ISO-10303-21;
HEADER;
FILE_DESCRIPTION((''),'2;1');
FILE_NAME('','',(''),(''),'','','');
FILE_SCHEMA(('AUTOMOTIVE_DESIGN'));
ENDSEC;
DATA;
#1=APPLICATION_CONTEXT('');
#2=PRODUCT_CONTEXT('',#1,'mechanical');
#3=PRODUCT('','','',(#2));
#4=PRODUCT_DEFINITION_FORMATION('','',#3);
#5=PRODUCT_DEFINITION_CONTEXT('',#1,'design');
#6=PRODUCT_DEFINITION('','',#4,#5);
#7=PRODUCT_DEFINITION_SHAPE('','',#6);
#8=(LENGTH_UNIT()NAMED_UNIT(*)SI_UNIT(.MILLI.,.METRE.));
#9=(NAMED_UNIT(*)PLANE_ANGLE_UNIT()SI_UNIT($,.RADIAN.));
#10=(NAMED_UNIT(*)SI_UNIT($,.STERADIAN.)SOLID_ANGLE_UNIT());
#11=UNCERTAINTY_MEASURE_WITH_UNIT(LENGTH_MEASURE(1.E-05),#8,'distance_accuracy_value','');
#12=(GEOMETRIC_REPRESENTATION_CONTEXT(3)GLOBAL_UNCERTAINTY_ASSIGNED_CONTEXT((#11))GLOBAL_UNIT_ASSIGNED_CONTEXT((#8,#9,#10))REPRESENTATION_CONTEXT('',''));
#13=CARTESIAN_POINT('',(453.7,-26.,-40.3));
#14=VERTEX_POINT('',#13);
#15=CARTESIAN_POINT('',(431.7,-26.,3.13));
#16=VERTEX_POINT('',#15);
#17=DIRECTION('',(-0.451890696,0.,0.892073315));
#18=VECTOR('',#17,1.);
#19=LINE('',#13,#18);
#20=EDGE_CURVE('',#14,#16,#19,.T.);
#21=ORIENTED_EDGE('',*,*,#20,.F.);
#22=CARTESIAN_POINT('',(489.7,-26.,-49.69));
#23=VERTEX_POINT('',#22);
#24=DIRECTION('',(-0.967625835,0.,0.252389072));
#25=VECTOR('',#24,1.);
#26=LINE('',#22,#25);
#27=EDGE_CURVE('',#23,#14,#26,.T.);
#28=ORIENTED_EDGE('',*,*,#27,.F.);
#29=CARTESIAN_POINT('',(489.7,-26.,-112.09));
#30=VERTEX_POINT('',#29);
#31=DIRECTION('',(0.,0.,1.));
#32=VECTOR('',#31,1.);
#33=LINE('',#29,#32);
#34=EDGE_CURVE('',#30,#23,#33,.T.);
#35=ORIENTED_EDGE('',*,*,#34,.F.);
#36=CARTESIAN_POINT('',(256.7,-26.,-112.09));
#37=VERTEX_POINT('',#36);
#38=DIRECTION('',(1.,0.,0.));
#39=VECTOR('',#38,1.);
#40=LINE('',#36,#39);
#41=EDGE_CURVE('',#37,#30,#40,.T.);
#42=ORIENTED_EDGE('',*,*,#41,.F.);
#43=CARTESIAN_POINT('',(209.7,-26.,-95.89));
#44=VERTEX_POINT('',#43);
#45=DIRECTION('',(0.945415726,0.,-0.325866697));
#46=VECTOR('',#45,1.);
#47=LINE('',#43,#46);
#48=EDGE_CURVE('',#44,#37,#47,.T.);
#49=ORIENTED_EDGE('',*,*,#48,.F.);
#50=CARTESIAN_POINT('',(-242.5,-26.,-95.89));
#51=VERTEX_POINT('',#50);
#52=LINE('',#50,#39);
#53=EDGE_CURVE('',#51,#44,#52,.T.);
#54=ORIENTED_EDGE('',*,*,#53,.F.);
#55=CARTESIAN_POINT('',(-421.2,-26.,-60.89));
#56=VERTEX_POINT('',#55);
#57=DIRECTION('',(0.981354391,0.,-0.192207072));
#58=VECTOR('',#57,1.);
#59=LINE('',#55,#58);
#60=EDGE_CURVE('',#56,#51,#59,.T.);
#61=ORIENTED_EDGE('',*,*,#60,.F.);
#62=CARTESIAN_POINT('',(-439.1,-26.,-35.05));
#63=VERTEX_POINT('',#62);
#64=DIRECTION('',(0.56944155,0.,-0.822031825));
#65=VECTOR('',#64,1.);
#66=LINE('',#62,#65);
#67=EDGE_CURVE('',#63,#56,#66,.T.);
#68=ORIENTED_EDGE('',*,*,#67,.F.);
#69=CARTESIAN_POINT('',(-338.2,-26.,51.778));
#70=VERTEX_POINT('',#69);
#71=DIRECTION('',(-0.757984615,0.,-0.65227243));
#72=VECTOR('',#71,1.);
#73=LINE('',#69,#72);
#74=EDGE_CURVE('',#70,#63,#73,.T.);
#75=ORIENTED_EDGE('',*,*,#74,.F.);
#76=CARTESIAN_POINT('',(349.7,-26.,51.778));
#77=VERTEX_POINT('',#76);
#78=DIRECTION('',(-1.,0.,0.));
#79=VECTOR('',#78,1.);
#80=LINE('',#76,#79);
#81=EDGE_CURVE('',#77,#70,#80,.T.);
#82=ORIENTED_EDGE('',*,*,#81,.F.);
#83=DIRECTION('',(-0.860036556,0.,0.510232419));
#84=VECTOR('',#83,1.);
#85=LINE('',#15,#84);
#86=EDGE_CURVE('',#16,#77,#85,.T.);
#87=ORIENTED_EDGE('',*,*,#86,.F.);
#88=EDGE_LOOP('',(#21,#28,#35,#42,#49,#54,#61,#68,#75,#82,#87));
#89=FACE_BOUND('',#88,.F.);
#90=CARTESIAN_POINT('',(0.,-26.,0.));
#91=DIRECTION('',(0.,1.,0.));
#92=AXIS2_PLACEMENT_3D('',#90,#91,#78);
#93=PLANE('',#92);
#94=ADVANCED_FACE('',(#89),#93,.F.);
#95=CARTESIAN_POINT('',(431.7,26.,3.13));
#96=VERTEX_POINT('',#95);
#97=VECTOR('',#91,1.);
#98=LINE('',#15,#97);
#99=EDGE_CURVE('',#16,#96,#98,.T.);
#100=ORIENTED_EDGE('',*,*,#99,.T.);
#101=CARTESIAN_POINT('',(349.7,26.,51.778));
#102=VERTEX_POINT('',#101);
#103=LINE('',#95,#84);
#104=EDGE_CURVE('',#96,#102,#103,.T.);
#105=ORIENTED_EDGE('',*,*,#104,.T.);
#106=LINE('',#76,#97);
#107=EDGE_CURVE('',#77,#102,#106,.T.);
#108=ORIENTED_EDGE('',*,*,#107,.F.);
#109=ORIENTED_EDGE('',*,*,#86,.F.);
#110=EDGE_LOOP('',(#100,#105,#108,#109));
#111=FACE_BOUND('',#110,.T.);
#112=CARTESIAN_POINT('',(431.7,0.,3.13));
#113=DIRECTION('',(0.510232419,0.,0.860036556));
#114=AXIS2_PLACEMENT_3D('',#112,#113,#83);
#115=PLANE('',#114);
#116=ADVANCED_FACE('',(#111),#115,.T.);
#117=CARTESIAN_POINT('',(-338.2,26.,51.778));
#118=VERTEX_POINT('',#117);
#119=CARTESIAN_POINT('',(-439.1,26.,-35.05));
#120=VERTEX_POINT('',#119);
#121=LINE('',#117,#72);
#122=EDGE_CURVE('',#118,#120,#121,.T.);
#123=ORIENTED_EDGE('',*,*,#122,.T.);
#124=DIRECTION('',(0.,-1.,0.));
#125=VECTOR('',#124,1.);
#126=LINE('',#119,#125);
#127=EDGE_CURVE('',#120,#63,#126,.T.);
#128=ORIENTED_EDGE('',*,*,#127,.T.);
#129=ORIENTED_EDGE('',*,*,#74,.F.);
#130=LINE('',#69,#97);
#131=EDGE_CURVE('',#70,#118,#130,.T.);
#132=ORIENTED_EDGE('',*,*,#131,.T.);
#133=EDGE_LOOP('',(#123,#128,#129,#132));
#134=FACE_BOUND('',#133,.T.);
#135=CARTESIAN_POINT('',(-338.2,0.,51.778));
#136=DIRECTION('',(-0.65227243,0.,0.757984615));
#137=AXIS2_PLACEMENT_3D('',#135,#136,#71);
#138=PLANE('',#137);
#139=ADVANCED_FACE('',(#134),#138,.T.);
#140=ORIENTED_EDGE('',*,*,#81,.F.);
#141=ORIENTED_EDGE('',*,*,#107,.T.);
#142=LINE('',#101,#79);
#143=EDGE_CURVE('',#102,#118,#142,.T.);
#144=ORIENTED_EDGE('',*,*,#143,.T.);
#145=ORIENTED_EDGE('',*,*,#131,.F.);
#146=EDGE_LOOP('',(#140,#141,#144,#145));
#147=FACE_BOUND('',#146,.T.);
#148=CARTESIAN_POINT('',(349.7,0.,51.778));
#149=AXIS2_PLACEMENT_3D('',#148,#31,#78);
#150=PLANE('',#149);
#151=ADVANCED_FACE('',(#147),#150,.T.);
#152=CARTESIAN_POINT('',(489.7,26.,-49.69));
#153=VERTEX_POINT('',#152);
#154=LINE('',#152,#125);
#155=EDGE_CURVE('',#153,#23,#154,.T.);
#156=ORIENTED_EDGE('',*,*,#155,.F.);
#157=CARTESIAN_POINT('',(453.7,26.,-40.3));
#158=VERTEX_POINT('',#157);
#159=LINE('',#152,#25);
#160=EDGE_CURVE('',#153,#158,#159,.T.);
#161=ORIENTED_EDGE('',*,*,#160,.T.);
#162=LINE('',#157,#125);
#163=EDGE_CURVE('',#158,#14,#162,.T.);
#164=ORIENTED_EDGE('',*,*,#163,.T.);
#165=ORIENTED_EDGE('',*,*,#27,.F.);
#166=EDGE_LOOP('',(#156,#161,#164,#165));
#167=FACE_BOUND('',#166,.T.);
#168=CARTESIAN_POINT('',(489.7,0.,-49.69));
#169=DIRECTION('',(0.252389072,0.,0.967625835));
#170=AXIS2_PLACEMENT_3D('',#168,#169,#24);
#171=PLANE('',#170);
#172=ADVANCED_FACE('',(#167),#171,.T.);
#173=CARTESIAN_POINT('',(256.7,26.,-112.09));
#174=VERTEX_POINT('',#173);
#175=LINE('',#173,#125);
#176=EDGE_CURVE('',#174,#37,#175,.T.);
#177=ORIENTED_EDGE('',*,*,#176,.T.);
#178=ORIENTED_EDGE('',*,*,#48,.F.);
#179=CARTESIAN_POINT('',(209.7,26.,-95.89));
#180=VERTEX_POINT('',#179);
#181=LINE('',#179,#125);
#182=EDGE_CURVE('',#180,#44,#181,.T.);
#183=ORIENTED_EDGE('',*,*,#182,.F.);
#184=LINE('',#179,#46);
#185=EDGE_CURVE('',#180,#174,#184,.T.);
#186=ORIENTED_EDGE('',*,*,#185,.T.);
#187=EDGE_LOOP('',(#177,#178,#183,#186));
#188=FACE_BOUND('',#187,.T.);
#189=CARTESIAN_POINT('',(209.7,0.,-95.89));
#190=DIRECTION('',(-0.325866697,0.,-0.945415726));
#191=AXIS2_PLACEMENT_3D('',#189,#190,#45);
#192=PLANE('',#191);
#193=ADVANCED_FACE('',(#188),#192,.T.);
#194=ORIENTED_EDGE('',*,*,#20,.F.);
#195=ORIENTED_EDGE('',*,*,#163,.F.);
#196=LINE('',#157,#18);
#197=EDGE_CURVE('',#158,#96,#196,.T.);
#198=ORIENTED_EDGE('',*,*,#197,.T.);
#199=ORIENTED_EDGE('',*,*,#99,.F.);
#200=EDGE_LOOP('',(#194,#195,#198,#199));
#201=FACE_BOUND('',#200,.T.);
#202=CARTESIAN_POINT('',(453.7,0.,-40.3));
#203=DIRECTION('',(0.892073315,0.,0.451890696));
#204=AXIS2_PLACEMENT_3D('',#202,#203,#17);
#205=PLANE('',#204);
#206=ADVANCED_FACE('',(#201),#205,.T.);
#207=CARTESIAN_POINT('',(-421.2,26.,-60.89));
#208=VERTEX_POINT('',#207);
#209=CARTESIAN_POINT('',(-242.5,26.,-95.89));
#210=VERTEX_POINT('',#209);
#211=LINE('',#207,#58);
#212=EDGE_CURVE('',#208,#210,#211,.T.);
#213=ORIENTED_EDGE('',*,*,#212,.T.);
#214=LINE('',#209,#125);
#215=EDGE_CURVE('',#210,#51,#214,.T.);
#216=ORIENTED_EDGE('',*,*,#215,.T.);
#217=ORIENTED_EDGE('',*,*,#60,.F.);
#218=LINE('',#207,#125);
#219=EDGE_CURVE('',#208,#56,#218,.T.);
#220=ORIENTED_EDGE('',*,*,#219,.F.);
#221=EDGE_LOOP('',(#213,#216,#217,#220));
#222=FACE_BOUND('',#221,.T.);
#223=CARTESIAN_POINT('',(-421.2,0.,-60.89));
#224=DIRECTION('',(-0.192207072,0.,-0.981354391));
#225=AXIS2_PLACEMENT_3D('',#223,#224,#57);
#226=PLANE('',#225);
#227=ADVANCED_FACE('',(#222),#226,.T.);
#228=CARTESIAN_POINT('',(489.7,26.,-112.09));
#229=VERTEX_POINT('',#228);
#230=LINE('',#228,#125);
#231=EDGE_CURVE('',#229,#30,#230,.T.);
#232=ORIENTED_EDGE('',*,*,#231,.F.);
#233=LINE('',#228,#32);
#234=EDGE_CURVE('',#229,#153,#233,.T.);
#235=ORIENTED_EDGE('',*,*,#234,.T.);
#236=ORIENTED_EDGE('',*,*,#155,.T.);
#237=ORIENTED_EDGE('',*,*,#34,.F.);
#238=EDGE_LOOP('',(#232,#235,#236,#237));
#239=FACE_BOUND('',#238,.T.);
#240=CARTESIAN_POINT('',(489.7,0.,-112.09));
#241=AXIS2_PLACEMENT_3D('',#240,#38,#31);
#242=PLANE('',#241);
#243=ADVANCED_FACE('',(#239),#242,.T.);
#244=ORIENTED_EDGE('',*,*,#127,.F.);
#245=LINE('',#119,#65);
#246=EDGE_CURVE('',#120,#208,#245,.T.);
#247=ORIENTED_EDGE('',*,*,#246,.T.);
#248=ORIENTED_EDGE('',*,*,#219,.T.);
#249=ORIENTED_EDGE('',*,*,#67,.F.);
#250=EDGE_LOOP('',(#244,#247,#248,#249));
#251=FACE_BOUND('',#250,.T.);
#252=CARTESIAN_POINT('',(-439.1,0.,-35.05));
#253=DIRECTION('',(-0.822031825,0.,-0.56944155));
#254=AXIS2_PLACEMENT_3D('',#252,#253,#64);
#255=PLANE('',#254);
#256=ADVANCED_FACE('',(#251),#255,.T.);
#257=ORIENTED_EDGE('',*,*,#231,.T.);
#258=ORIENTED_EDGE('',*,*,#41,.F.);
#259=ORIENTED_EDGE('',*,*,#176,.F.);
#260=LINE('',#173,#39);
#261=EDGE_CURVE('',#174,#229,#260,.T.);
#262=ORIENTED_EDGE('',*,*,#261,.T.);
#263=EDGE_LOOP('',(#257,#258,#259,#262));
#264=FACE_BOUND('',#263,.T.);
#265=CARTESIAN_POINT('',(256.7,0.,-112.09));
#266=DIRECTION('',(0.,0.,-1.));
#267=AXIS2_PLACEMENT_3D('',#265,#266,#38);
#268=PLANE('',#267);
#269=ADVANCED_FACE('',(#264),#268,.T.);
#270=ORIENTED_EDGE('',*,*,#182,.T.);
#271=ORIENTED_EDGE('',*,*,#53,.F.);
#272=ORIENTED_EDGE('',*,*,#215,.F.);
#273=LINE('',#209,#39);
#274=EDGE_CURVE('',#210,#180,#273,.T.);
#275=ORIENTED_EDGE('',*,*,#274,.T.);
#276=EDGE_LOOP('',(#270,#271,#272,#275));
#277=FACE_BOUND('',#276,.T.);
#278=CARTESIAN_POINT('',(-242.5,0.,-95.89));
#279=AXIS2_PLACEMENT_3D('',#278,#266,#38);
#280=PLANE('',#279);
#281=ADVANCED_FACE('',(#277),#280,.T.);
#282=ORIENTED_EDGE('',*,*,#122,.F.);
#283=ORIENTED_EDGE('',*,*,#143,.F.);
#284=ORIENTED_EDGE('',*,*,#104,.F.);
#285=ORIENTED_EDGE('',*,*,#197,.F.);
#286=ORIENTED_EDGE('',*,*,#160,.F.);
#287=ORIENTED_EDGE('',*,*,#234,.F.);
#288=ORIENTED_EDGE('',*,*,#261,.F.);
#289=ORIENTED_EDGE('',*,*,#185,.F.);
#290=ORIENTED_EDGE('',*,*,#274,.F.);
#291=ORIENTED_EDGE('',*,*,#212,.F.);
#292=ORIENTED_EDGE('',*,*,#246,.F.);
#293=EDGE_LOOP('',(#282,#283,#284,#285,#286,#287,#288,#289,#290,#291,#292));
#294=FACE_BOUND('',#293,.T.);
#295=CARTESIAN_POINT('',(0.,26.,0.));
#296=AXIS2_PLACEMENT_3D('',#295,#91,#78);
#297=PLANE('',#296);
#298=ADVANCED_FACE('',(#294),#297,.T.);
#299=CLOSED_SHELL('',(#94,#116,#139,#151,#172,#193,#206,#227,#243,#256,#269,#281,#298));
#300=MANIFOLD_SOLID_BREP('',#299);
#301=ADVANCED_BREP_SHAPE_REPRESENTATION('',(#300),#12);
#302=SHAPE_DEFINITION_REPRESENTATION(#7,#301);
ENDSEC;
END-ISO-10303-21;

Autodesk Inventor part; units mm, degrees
ref_plane "YZ Plane" through (0, 0, 0) normal (1, 0, 0) x (0, 1, 0)
ref_plane "XY Plane" through (0, 0, 0) normal (0, 0, 1) x (1, 0, 0)
sketch "Sketch1" plane through (0, 0, 0) normal (0, 1, 0) x (-1, 0, 0)
  line L0 (0, -144.8636) -> (0, 84.5516) construction
  line L1 (624.86, 0) -> (-675.46, 0) construction
  line L2 (338.2, 51.778) -> (439.1, -35.05)
  line L3 (439.1, -35.05) -> (421.2, -60.89)
  line L4 (421.2, -60.89) -> (242.5, -95.89)
  line L5 (242.5, -95.89) -> (-209.7, -95.89)
  line L6 (-209.7, -95.89) -> (-256.7, -112.09)
  line L7 (-256.7, -112.09) -> (-489.7, -112.09)
  line L8 (-489.7, -112.09) -> (-489.7, -49.69)
  line L9 (-489.7, -49.69) -> (-453.7, -40.3)
  line L10 (-453.7, -40.3) -> (-431.7, 3.13)
  line L11 (-431.7, 3.13) -> (-349.7, 51.778)
  line L12 (-349.7, 51.778) -> (338.2, 51.778)
  point P0 (0, 0)
  dimension "d0" = 51.778
  dimension "d1" = 35.05
  dimension "d2" = 60.89
  dimension "d3" = 95.89
  dimension "d4" = 95.89
  dimension "d5" = 112.09
  dimension "d6" = 112.09
  dimension "d8" = 40.3
  dimension "d9" = 49.69
  dimension "d10" = 3.13
  dimension "d11" = 51.778
  dimension "d12" = 338.2
  dimension "d13" = 439.1
  dimension "d14" = 421.2
  dimension "d15" = 242.5
  dimension "d16" = 489.7
  dimension "d17" = 256.7
  dimension "d18" = 209.7
  dimension "d19" = 489.7
  dimension "d20" = 453.7
  dimension "d21" = 431.7
  dimension "d22" = 349.7
extrude "Extrusion1" add sketch "Sketch1" along normal mid plane 52
properties part number "Friend_track_collision"
